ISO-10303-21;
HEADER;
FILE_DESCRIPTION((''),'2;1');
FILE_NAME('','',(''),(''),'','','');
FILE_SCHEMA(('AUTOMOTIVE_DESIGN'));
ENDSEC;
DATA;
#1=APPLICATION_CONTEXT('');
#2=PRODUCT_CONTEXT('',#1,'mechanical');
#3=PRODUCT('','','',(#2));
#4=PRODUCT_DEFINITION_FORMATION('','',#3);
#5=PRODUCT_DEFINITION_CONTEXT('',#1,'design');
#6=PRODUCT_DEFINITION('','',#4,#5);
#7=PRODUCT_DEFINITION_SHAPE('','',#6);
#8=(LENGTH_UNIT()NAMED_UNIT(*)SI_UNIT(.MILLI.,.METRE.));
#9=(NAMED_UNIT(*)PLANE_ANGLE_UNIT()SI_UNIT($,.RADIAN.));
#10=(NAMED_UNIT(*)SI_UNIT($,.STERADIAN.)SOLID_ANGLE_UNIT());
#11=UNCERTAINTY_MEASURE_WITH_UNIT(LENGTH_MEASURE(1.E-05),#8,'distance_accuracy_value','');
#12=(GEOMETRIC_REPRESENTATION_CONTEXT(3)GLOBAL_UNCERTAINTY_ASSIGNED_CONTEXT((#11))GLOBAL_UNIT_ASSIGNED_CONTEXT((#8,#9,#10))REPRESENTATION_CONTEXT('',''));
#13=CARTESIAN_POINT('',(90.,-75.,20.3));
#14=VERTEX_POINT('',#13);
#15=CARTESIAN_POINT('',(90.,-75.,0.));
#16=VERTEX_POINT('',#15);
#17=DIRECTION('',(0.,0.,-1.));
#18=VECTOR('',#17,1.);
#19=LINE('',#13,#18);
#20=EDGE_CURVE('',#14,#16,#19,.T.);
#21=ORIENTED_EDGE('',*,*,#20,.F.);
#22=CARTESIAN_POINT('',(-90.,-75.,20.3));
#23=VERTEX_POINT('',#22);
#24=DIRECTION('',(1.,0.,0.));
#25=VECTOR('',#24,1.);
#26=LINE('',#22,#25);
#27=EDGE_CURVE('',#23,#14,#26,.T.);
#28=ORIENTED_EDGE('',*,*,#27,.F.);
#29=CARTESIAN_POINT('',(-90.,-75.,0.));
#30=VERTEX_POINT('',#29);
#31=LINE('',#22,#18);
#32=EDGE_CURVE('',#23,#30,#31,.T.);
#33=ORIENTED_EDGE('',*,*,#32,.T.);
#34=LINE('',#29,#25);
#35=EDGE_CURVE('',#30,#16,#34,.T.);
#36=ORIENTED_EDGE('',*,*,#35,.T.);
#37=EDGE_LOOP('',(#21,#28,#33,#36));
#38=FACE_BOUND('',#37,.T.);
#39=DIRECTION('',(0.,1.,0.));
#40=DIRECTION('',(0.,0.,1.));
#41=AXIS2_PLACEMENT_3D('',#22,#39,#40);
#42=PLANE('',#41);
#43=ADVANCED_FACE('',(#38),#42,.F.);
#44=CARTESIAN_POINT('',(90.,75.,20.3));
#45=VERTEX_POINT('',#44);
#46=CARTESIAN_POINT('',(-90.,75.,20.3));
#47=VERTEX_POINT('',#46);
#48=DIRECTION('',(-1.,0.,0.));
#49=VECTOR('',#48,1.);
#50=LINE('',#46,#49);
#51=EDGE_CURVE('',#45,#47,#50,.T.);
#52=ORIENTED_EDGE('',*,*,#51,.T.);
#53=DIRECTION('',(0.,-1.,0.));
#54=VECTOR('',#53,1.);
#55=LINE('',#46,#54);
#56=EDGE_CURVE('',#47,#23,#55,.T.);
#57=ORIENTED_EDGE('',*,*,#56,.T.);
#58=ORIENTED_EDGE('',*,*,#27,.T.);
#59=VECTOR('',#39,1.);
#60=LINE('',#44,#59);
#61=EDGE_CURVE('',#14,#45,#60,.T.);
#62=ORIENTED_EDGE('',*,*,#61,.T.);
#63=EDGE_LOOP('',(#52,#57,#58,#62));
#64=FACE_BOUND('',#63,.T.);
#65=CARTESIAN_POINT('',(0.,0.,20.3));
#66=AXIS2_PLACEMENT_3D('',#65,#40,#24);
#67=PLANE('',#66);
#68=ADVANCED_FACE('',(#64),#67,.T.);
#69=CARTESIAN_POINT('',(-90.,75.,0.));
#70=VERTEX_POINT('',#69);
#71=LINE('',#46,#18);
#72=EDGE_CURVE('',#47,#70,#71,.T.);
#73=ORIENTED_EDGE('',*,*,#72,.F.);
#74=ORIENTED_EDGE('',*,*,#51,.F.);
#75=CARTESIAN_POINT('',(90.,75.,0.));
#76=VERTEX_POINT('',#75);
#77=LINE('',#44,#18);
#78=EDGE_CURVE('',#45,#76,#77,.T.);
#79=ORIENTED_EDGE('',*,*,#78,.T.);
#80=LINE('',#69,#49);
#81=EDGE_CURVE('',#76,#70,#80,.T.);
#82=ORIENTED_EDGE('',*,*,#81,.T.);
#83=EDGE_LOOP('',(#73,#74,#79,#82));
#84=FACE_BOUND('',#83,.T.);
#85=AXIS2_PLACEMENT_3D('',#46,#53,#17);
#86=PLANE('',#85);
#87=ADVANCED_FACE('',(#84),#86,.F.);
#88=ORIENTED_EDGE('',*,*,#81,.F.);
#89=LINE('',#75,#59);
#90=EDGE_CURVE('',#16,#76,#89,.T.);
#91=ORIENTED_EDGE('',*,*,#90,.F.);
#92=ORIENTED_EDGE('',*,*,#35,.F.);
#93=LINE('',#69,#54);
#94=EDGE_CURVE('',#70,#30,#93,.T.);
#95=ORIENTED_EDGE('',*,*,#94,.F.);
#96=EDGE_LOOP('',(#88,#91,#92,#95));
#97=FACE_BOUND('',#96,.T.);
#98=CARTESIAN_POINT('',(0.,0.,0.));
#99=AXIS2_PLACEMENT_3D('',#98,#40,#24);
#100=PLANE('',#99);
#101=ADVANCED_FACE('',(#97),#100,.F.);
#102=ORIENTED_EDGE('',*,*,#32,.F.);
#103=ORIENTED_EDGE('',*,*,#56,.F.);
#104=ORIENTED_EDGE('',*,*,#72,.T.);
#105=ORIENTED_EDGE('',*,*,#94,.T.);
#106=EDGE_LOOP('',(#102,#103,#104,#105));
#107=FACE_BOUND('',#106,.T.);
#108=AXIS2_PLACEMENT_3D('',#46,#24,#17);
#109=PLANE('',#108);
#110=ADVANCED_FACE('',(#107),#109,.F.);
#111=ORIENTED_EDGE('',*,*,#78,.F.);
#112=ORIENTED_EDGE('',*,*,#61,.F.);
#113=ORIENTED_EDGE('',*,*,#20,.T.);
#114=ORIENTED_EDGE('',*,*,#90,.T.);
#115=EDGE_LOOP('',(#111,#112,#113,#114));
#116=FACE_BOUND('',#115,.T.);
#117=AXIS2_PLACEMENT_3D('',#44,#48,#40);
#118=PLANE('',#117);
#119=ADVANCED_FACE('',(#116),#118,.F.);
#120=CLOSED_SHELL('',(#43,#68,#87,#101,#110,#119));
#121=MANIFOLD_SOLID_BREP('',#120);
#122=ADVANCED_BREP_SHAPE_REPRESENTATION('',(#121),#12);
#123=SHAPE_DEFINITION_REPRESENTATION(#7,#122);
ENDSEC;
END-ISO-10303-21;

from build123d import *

# Parameters (mm, degrees)
SKETCH5_W           = 180
SKETCH5_H           = 150
BOSS_EXTRUDE1_DEPTH = 20.3


with BuildPart() as part:
    # Sketch5 → Boss-Extrude1 (new body)
    with BuildSketch(Plane.XY):
        Rectangle(SKETCH5_W, SKETCH5_H)
    extrude(amount=BOSS_EXTRUDE1_DEPTH)


solid = part.part
